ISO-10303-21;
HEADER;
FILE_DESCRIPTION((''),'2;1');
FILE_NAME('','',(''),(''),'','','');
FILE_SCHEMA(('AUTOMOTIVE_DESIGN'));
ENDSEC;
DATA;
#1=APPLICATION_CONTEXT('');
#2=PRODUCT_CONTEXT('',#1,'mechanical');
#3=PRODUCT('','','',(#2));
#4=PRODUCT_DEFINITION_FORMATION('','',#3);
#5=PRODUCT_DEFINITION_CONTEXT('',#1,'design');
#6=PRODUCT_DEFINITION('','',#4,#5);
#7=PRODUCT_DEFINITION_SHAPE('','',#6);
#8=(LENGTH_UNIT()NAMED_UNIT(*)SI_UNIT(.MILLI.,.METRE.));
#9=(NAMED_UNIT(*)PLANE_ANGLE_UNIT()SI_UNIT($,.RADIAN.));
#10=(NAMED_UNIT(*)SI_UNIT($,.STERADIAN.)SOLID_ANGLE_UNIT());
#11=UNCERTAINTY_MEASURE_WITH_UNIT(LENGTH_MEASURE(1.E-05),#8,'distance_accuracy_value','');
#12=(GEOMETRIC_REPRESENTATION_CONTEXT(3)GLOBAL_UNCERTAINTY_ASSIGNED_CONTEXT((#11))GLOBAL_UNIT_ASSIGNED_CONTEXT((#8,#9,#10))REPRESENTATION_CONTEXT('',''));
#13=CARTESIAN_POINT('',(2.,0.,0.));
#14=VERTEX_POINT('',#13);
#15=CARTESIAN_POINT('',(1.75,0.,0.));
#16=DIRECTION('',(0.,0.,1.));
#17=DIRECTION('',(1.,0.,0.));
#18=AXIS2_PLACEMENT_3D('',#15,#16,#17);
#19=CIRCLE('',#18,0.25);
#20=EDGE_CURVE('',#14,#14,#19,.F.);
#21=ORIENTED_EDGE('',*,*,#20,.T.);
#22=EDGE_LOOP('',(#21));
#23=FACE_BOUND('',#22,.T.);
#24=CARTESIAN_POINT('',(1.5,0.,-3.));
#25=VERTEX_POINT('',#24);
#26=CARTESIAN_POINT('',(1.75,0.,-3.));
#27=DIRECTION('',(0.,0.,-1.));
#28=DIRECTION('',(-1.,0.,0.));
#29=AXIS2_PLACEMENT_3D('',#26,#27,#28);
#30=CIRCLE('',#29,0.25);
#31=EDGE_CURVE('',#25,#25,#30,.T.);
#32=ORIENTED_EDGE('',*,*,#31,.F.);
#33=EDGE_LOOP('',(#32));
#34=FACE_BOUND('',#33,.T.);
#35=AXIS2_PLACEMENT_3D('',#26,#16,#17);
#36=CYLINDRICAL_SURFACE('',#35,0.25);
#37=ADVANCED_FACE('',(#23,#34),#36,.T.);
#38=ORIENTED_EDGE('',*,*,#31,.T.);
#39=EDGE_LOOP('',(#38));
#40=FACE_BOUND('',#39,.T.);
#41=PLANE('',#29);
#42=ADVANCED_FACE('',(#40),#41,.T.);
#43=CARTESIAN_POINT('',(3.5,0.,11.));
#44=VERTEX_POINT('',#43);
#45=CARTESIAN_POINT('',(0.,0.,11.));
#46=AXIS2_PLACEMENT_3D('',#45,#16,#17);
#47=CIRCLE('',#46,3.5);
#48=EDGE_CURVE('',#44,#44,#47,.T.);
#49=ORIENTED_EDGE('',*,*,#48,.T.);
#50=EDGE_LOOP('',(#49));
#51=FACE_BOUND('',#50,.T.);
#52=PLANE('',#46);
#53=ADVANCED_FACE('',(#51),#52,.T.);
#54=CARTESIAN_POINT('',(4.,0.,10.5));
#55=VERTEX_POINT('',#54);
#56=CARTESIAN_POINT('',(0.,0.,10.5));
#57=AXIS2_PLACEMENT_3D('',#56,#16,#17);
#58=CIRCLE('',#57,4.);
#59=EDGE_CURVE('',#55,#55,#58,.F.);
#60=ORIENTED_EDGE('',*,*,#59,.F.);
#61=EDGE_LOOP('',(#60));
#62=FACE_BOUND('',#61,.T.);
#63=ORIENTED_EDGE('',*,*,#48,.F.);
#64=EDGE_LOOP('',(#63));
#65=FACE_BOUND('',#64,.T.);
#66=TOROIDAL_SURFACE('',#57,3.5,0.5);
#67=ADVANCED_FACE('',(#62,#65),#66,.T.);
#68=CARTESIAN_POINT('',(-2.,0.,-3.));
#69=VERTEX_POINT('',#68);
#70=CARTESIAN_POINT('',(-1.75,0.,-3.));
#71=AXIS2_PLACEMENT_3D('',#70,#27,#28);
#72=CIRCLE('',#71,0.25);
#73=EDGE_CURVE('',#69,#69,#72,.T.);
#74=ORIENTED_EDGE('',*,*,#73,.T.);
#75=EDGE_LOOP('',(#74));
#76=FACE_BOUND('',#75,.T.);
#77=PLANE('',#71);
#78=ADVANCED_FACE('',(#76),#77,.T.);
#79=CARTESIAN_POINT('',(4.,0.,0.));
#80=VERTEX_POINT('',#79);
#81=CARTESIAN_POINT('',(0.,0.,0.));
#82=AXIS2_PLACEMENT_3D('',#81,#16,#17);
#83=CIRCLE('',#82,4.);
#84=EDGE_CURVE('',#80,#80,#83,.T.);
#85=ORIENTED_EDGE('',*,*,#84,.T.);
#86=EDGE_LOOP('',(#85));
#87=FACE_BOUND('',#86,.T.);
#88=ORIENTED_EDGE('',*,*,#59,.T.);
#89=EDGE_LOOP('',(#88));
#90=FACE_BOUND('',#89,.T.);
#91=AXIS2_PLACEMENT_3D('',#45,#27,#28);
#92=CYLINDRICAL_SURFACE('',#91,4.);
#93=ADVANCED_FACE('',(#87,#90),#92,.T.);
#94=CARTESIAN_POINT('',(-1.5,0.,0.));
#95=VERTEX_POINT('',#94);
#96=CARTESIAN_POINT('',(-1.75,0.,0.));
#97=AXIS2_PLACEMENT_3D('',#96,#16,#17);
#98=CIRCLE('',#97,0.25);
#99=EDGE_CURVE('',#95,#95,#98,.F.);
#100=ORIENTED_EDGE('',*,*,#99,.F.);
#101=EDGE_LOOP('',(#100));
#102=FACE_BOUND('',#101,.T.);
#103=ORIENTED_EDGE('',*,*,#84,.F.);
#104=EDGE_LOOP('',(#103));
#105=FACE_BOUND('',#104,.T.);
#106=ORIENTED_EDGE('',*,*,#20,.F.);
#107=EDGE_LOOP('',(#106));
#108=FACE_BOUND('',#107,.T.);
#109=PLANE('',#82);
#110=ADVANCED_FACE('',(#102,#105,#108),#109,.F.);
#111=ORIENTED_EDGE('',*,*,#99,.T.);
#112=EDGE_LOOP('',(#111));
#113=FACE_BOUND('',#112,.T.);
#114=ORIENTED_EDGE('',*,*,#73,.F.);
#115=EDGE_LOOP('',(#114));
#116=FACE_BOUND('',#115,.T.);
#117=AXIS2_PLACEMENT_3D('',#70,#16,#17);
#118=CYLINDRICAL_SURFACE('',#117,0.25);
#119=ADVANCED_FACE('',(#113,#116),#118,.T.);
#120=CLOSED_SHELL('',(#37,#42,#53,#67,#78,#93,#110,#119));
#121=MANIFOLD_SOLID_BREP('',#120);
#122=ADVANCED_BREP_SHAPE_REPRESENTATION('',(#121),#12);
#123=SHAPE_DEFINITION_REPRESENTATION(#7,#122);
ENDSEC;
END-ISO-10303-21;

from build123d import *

# Parameters (mm, degrees)
SKETCH_1_R      = 4
EXTRUDE_1_DEPTH = 11
SKETCH_2_R      = 0.25
EXTRUDE_2_DEPTH = 3
FILLET_1_R      = 0.5


with BuildPart() as part:
    # Эскиз1 → Вытянуть1 (new body)
    with BuildSketch(Plane.XY):
        Circle(SKETCH_1_R)
    extrude(amount=EXTRUDE_1_DEPTH)

    # Эскиз2 → Вытянуть2 (add)
    with BuildSketch(Plane(origin=(0, 0, 0), x_dir=(-1, 0, 0), z_dir=(0, 0, -1))):
        with Locations(Location((-1.75, 0, 0), (0, 0, 180))):
            Circle(SKETCH_2_R)
        with Locations(Location((1.75, 0, 0), (0, 0, 180))):
            Circle(SKETCH_2_R)
    extrude(amount=EXTRUDE_2_DEPTH)

    # Скругление1
    fillet_1_edges = [part.edges().sort_by_distance(p)[0] for p in [
        (-4, 0, 11),
    ]]
    fillet(fillet_1_edges, radius=FILLET_1_R)


solid = part.part
